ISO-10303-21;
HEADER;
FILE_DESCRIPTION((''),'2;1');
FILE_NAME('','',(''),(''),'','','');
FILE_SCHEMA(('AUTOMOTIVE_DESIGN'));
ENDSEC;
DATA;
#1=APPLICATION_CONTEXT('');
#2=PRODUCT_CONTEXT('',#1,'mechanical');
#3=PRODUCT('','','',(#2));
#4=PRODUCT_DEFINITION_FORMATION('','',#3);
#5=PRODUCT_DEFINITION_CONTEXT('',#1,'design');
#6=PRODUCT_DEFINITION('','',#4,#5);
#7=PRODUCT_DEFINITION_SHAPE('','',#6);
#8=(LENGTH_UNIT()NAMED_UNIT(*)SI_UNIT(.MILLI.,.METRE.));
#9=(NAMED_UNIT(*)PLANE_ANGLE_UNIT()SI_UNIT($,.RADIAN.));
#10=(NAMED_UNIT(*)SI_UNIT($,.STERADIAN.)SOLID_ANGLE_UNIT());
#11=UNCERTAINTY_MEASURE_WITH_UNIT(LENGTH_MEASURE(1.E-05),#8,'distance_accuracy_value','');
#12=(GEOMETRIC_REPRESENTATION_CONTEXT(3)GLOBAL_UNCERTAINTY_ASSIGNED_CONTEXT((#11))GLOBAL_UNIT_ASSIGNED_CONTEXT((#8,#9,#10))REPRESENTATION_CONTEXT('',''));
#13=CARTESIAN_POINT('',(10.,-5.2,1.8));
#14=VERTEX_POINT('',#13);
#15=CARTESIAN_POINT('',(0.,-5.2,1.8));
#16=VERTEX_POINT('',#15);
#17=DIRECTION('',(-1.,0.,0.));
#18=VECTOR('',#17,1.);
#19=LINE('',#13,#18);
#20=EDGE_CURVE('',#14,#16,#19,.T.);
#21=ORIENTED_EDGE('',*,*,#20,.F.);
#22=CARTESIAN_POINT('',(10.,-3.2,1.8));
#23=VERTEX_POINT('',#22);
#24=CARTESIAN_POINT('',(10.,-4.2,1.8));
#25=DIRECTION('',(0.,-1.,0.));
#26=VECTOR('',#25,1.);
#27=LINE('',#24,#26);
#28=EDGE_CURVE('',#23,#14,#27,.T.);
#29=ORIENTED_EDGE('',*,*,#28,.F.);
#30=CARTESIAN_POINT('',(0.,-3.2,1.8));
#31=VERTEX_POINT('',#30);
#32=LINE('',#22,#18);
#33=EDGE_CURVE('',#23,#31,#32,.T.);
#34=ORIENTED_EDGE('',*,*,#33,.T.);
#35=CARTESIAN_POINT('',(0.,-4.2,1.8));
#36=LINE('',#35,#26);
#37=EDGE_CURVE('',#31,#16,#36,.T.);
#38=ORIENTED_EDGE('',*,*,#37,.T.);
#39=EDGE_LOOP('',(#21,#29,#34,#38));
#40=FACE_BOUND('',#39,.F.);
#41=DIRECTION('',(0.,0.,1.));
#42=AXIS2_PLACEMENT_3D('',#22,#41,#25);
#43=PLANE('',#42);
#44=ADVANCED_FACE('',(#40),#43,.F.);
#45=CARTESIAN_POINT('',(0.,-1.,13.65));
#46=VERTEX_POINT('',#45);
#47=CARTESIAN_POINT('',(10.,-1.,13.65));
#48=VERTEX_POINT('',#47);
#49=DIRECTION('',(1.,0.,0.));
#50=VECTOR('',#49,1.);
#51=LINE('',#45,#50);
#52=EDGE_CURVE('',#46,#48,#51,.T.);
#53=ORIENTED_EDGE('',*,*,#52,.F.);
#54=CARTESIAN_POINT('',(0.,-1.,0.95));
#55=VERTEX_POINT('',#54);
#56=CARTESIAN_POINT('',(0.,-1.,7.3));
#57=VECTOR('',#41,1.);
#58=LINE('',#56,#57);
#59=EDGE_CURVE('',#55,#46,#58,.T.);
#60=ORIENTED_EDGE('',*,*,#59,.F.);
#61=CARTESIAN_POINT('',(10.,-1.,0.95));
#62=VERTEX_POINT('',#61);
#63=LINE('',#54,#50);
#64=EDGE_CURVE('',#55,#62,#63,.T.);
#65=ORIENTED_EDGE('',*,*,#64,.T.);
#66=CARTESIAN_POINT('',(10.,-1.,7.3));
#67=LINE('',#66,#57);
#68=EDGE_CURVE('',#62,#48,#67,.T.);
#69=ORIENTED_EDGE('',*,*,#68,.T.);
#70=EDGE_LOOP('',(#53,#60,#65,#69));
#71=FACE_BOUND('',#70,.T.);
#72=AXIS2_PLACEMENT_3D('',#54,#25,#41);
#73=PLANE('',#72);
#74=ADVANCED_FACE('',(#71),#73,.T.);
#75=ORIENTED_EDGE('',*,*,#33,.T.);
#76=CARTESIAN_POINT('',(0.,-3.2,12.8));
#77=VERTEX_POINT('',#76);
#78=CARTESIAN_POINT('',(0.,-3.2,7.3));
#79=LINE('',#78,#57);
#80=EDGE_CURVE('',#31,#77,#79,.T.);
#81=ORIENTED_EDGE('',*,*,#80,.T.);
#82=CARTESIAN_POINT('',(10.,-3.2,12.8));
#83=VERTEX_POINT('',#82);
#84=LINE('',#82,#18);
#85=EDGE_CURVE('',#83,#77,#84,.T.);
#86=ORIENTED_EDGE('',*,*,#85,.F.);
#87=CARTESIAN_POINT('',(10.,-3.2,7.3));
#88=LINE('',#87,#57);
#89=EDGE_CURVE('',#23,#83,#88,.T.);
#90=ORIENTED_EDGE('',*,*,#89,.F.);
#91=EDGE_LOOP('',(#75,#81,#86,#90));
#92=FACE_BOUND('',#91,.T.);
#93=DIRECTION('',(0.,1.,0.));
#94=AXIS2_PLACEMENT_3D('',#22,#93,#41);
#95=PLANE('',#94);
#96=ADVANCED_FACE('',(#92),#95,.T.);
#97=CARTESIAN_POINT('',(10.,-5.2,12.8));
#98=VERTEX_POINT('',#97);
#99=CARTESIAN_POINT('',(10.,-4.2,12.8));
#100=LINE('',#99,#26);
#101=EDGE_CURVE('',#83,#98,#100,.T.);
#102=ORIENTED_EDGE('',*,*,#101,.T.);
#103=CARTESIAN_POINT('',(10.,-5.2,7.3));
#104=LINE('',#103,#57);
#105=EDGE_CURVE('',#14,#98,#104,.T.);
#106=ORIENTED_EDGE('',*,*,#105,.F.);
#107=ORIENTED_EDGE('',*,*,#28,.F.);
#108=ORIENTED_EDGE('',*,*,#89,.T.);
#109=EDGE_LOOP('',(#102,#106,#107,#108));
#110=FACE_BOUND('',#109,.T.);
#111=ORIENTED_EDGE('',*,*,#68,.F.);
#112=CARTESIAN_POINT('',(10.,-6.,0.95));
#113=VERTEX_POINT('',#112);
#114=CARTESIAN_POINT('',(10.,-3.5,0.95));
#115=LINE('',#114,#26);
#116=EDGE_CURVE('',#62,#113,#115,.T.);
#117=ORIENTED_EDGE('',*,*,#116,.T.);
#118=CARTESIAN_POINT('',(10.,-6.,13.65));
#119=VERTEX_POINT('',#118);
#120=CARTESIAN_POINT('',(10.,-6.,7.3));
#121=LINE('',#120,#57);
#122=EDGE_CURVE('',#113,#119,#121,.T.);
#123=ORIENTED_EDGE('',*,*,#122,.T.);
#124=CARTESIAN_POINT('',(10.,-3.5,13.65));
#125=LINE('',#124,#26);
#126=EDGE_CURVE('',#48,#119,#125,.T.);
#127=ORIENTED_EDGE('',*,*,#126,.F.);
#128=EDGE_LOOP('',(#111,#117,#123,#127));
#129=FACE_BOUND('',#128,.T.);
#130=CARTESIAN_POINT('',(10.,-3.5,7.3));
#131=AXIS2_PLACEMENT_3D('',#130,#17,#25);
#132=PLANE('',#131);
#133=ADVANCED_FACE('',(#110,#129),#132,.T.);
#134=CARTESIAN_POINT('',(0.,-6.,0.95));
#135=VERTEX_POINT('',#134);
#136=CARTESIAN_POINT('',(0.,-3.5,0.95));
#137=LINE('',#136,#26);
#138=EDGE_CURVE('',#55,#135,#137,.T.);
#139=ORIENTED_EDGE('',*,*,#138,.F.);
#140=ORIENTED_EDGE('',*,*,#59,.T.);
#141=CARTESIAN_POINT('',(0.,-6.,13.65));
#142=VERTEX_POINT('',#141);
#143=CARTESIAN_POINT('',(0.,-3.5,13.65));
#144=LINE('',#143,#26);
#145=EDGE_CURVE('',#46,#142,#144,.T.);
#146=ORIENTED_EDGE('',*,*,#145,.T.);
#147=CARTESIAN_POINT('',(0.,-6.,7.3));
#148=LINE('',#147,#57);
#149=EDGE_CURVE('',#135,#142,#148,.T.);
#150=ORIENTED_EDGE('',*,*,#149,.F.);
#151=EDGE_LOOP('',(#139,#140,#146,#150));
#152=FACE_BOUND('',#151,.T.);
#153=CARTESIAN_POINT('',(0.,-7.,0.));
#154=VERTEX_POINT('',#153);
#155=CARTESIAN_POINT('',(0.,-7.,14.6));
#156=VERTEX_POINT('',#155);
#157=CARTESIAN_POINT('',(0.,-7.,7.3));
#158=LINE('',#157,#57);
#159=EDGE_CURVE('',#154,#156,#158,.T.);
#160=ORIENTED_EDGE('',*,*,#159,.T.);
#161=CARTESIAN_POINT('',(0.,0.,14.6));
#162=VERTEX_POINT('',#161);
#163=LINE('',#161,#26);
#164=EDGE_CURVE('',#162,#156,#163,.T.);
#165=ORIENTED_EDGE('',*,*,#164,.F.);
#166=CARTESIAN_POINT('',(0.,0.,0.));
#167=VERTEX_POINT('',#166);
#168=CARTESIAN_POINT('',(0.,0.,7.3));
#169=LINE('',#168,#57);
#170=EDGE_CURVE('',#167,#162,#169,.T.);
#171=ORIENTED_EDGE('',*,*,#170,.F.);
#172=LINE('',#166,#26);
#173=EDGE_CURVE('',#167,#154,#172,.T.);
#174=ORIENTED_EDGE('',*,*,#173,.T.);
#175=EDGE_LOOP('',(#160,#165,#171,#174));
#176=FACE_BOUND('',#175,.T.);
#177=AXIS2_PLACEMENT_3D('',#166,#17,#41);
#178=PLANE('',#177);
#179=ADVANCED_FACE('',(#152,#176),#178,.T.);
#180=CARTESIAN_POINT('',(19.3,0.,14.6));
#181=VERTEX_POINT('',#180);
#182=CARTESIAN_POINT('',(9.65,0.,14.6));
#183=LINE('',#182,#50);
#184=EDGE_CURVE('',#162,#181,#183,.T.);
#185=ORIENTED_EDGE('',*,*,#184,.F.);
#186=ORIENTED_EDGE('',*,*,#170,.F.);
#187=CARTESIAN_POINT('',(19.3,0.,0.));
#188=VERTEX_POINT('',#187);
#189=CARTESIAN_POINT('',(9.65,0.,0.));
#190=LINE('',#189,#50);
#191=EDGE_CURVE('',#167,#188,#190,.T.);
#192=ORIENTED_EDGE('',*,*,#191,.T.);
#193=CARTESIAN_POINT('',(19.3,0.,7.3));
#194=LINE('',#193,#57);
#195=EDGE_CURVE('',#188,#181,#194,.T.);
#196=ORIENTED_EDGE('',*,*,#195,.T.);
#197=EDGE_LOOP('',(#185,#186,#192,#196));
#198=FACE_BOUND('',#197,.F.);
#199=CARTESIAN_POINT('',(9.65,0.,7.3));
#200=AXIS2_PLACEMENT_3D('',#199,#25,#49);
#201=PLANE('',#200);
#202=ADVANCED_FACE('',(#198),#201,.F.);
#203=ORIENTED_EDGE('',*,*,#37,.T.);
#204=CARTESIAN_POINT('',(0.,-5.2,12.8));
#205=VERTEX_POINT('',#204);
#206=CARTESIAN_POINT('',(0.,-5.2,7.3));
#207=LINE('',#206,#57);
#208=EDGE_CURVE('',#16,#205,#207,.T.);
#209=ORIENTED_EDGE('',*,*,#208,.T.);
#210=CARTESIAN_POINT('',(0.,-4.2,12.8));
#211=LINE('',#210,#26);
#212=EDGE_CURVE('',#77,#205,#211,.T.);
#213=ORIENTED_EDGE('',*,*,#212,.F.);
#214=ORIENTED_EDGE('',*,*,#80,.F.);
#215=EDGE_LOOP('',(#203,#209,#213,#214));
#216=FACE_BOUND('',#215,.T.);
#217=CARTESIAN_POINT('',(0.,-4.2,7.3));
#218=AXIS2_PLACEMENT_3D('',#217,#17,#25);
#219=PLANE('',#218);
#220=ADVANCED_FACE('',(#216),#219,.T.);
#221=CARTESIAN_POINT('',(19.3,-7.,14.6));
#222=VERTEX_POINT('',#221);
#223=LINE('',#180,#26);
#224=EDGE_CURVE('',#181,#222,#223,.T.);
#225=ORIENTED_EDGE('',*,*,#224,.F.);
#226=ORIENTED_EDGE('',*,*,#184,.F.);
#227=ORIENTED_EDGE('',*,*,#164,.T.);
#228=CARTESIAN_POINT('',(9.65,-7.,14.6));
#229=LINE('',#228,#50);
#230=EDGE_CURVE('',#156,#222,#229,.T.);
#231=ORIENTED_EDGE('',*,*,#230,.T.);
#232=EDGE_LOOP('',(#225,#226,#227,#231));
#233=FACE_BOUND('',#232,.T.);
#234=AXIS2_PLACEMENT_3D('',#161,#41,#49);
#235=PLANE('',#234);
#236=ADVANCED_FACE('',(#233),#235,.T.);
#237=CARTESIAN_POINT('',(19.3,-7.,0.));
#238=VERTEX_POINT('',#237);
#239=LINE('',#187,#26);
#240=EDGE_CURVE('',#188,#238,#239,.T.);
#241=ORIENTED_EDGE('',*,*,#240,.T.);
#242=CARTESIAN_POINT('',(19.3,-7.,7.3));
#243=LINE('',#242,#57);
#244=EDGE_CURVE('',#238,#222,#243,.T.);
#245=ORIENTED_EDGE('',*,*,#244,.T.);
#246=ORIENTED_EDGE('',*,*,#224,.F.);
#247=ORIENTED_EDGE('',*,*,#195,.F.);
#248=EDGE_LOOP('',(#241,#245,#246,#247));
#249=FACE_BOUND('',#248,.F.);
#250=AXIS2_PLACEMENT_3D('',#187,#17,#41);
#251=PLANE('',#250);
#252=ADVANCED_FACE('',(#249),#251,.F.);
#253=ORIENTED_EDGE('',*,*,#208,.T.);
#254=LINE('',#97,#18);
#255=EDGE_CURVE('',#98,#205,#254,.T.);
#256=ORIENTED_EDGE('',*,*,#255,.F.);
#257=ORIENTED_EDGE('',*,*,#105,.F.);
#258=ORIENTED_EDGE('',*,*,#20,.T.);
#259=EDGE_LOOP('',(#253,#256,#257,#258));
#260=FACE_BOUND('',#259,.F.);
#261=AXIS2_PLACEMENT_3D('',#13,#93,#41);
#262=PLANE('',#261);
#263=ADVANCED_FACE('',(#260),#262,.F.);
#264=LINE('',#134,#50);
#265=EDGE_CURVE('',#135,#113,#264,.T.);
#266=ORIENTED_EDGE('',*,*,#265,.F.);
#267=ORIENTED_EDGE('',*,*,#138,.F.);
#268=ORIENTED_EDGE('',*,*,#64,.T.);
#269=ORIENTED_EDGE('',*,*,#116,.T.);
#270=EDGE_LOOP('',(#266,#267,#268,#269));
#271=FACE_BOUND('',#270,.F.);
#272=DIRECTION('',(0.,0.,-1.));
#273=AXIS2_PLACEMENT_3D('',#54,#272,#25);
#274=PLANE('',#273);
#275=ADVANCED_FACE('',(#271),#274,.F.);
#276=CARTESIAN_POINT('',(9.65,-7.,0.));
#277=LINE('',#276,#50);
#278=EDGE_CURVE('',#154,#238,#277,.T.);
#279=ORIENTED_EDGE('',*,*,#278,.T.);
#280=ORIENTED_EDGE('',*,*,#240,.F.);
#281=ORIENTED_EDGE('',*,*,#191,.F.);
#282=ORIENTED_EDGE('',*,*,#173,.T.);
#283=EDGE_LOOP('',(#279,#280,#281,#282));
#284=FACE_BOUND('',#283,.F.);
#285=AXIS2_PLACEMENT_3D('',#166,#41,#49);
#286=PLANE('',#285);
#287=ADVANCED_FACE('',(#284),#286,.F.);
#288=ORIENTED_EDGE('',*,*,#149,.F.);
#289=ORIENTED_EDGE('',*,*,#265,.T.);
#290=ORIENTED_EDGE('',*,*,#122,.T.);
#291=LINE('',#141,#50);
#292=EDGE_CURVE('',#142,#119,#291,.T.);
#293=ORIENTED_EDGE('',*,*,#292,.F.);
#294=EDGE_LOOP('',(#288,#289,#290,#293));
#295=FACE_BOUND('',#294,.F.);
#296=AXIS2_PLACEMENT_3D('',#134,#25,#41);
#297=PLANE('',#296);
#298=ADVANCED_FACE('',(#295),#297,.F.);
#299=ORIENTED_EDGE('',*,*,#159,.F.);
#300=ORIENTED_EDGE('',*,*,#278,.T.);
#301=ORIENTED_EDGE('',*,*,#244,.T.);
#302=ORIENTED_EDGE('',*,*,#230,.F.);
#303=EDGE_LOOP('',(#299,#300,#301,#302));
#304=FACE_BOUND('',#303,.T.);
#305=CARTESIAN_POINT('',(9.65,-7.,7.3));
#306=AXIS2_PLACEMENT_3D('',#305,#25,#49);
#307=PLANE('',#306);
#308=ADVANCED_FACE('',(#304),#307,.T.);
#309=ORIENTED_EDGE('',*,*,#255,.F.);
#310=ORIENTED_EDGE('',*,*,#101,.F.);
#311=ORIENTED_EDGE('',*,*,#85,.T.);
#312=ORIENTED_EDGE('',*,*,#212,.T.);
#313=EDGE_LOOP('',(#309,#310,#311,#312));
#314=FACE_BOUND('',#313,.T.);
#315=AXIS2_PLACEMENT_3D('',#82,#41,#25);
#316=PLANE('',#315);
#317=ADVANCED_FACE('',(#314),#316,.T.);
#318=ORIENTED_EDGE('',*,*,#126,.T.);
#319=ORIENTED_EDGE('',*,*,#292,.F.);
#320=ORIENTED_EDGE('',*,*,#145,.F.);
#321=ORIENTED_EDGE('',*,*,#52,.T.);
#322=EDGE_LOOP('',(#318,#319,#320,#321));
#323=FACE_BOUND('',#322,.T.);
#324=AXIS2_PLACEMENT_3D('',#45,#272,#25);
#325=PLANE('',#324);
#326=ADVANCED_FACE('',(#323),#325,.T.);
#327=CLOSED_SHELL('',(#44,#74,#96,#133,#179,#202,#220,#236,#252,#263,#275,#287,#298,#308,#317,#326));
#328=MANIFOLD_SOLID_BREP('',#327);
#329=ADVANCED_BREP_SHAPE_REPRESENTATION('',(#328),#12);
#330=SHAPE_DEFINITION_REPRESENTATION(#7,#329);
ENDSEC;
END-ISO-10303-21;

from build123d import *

# Parameters (mm, degrees)
F0_W     = 19.3
F0_H     = 14.6
F1_DEPTH = 7
F2_W     = 5
F2_H     = 12.7
F3_DEPTH = 10
F4_W     = 2
F4_H     = 11
F5_DEPTH = 10


with BuildPart() as f1:
    # F0 (on Front) → F1 (new body)
    with BuildSketch(Plane.XZ):
        with Locations((9.65, 7.3)):
            Rectangle(F0_W, F0_H)
    extrude(amount=F1_DEPTH)

    # F2 (on face) → F3 (cut)
    with BuildSketch(Plane(origin=(0, 0, 0), x_dir=(0, -1, 0), z_dir=(-1, 0, 0))):
        with Locations((3.5, 7.3)):
            Rectangle(F2_W, F2_H)
    extrude(amount=-F3_DEPTH, mode=Mode.SUBTRACT)

    # F4 (on face) → F5 (join)
    with BuildSketch(Plane(origin=(10, 0, 0), x_dir=(0, -1, 0), z_dir=(-1, 0, 0))):
        with Locations((4.2, 7.3)):
            Rectangle(F4_W, F4_H)
    extrude(amount=F5_DEPTH)


solid = f1.part
